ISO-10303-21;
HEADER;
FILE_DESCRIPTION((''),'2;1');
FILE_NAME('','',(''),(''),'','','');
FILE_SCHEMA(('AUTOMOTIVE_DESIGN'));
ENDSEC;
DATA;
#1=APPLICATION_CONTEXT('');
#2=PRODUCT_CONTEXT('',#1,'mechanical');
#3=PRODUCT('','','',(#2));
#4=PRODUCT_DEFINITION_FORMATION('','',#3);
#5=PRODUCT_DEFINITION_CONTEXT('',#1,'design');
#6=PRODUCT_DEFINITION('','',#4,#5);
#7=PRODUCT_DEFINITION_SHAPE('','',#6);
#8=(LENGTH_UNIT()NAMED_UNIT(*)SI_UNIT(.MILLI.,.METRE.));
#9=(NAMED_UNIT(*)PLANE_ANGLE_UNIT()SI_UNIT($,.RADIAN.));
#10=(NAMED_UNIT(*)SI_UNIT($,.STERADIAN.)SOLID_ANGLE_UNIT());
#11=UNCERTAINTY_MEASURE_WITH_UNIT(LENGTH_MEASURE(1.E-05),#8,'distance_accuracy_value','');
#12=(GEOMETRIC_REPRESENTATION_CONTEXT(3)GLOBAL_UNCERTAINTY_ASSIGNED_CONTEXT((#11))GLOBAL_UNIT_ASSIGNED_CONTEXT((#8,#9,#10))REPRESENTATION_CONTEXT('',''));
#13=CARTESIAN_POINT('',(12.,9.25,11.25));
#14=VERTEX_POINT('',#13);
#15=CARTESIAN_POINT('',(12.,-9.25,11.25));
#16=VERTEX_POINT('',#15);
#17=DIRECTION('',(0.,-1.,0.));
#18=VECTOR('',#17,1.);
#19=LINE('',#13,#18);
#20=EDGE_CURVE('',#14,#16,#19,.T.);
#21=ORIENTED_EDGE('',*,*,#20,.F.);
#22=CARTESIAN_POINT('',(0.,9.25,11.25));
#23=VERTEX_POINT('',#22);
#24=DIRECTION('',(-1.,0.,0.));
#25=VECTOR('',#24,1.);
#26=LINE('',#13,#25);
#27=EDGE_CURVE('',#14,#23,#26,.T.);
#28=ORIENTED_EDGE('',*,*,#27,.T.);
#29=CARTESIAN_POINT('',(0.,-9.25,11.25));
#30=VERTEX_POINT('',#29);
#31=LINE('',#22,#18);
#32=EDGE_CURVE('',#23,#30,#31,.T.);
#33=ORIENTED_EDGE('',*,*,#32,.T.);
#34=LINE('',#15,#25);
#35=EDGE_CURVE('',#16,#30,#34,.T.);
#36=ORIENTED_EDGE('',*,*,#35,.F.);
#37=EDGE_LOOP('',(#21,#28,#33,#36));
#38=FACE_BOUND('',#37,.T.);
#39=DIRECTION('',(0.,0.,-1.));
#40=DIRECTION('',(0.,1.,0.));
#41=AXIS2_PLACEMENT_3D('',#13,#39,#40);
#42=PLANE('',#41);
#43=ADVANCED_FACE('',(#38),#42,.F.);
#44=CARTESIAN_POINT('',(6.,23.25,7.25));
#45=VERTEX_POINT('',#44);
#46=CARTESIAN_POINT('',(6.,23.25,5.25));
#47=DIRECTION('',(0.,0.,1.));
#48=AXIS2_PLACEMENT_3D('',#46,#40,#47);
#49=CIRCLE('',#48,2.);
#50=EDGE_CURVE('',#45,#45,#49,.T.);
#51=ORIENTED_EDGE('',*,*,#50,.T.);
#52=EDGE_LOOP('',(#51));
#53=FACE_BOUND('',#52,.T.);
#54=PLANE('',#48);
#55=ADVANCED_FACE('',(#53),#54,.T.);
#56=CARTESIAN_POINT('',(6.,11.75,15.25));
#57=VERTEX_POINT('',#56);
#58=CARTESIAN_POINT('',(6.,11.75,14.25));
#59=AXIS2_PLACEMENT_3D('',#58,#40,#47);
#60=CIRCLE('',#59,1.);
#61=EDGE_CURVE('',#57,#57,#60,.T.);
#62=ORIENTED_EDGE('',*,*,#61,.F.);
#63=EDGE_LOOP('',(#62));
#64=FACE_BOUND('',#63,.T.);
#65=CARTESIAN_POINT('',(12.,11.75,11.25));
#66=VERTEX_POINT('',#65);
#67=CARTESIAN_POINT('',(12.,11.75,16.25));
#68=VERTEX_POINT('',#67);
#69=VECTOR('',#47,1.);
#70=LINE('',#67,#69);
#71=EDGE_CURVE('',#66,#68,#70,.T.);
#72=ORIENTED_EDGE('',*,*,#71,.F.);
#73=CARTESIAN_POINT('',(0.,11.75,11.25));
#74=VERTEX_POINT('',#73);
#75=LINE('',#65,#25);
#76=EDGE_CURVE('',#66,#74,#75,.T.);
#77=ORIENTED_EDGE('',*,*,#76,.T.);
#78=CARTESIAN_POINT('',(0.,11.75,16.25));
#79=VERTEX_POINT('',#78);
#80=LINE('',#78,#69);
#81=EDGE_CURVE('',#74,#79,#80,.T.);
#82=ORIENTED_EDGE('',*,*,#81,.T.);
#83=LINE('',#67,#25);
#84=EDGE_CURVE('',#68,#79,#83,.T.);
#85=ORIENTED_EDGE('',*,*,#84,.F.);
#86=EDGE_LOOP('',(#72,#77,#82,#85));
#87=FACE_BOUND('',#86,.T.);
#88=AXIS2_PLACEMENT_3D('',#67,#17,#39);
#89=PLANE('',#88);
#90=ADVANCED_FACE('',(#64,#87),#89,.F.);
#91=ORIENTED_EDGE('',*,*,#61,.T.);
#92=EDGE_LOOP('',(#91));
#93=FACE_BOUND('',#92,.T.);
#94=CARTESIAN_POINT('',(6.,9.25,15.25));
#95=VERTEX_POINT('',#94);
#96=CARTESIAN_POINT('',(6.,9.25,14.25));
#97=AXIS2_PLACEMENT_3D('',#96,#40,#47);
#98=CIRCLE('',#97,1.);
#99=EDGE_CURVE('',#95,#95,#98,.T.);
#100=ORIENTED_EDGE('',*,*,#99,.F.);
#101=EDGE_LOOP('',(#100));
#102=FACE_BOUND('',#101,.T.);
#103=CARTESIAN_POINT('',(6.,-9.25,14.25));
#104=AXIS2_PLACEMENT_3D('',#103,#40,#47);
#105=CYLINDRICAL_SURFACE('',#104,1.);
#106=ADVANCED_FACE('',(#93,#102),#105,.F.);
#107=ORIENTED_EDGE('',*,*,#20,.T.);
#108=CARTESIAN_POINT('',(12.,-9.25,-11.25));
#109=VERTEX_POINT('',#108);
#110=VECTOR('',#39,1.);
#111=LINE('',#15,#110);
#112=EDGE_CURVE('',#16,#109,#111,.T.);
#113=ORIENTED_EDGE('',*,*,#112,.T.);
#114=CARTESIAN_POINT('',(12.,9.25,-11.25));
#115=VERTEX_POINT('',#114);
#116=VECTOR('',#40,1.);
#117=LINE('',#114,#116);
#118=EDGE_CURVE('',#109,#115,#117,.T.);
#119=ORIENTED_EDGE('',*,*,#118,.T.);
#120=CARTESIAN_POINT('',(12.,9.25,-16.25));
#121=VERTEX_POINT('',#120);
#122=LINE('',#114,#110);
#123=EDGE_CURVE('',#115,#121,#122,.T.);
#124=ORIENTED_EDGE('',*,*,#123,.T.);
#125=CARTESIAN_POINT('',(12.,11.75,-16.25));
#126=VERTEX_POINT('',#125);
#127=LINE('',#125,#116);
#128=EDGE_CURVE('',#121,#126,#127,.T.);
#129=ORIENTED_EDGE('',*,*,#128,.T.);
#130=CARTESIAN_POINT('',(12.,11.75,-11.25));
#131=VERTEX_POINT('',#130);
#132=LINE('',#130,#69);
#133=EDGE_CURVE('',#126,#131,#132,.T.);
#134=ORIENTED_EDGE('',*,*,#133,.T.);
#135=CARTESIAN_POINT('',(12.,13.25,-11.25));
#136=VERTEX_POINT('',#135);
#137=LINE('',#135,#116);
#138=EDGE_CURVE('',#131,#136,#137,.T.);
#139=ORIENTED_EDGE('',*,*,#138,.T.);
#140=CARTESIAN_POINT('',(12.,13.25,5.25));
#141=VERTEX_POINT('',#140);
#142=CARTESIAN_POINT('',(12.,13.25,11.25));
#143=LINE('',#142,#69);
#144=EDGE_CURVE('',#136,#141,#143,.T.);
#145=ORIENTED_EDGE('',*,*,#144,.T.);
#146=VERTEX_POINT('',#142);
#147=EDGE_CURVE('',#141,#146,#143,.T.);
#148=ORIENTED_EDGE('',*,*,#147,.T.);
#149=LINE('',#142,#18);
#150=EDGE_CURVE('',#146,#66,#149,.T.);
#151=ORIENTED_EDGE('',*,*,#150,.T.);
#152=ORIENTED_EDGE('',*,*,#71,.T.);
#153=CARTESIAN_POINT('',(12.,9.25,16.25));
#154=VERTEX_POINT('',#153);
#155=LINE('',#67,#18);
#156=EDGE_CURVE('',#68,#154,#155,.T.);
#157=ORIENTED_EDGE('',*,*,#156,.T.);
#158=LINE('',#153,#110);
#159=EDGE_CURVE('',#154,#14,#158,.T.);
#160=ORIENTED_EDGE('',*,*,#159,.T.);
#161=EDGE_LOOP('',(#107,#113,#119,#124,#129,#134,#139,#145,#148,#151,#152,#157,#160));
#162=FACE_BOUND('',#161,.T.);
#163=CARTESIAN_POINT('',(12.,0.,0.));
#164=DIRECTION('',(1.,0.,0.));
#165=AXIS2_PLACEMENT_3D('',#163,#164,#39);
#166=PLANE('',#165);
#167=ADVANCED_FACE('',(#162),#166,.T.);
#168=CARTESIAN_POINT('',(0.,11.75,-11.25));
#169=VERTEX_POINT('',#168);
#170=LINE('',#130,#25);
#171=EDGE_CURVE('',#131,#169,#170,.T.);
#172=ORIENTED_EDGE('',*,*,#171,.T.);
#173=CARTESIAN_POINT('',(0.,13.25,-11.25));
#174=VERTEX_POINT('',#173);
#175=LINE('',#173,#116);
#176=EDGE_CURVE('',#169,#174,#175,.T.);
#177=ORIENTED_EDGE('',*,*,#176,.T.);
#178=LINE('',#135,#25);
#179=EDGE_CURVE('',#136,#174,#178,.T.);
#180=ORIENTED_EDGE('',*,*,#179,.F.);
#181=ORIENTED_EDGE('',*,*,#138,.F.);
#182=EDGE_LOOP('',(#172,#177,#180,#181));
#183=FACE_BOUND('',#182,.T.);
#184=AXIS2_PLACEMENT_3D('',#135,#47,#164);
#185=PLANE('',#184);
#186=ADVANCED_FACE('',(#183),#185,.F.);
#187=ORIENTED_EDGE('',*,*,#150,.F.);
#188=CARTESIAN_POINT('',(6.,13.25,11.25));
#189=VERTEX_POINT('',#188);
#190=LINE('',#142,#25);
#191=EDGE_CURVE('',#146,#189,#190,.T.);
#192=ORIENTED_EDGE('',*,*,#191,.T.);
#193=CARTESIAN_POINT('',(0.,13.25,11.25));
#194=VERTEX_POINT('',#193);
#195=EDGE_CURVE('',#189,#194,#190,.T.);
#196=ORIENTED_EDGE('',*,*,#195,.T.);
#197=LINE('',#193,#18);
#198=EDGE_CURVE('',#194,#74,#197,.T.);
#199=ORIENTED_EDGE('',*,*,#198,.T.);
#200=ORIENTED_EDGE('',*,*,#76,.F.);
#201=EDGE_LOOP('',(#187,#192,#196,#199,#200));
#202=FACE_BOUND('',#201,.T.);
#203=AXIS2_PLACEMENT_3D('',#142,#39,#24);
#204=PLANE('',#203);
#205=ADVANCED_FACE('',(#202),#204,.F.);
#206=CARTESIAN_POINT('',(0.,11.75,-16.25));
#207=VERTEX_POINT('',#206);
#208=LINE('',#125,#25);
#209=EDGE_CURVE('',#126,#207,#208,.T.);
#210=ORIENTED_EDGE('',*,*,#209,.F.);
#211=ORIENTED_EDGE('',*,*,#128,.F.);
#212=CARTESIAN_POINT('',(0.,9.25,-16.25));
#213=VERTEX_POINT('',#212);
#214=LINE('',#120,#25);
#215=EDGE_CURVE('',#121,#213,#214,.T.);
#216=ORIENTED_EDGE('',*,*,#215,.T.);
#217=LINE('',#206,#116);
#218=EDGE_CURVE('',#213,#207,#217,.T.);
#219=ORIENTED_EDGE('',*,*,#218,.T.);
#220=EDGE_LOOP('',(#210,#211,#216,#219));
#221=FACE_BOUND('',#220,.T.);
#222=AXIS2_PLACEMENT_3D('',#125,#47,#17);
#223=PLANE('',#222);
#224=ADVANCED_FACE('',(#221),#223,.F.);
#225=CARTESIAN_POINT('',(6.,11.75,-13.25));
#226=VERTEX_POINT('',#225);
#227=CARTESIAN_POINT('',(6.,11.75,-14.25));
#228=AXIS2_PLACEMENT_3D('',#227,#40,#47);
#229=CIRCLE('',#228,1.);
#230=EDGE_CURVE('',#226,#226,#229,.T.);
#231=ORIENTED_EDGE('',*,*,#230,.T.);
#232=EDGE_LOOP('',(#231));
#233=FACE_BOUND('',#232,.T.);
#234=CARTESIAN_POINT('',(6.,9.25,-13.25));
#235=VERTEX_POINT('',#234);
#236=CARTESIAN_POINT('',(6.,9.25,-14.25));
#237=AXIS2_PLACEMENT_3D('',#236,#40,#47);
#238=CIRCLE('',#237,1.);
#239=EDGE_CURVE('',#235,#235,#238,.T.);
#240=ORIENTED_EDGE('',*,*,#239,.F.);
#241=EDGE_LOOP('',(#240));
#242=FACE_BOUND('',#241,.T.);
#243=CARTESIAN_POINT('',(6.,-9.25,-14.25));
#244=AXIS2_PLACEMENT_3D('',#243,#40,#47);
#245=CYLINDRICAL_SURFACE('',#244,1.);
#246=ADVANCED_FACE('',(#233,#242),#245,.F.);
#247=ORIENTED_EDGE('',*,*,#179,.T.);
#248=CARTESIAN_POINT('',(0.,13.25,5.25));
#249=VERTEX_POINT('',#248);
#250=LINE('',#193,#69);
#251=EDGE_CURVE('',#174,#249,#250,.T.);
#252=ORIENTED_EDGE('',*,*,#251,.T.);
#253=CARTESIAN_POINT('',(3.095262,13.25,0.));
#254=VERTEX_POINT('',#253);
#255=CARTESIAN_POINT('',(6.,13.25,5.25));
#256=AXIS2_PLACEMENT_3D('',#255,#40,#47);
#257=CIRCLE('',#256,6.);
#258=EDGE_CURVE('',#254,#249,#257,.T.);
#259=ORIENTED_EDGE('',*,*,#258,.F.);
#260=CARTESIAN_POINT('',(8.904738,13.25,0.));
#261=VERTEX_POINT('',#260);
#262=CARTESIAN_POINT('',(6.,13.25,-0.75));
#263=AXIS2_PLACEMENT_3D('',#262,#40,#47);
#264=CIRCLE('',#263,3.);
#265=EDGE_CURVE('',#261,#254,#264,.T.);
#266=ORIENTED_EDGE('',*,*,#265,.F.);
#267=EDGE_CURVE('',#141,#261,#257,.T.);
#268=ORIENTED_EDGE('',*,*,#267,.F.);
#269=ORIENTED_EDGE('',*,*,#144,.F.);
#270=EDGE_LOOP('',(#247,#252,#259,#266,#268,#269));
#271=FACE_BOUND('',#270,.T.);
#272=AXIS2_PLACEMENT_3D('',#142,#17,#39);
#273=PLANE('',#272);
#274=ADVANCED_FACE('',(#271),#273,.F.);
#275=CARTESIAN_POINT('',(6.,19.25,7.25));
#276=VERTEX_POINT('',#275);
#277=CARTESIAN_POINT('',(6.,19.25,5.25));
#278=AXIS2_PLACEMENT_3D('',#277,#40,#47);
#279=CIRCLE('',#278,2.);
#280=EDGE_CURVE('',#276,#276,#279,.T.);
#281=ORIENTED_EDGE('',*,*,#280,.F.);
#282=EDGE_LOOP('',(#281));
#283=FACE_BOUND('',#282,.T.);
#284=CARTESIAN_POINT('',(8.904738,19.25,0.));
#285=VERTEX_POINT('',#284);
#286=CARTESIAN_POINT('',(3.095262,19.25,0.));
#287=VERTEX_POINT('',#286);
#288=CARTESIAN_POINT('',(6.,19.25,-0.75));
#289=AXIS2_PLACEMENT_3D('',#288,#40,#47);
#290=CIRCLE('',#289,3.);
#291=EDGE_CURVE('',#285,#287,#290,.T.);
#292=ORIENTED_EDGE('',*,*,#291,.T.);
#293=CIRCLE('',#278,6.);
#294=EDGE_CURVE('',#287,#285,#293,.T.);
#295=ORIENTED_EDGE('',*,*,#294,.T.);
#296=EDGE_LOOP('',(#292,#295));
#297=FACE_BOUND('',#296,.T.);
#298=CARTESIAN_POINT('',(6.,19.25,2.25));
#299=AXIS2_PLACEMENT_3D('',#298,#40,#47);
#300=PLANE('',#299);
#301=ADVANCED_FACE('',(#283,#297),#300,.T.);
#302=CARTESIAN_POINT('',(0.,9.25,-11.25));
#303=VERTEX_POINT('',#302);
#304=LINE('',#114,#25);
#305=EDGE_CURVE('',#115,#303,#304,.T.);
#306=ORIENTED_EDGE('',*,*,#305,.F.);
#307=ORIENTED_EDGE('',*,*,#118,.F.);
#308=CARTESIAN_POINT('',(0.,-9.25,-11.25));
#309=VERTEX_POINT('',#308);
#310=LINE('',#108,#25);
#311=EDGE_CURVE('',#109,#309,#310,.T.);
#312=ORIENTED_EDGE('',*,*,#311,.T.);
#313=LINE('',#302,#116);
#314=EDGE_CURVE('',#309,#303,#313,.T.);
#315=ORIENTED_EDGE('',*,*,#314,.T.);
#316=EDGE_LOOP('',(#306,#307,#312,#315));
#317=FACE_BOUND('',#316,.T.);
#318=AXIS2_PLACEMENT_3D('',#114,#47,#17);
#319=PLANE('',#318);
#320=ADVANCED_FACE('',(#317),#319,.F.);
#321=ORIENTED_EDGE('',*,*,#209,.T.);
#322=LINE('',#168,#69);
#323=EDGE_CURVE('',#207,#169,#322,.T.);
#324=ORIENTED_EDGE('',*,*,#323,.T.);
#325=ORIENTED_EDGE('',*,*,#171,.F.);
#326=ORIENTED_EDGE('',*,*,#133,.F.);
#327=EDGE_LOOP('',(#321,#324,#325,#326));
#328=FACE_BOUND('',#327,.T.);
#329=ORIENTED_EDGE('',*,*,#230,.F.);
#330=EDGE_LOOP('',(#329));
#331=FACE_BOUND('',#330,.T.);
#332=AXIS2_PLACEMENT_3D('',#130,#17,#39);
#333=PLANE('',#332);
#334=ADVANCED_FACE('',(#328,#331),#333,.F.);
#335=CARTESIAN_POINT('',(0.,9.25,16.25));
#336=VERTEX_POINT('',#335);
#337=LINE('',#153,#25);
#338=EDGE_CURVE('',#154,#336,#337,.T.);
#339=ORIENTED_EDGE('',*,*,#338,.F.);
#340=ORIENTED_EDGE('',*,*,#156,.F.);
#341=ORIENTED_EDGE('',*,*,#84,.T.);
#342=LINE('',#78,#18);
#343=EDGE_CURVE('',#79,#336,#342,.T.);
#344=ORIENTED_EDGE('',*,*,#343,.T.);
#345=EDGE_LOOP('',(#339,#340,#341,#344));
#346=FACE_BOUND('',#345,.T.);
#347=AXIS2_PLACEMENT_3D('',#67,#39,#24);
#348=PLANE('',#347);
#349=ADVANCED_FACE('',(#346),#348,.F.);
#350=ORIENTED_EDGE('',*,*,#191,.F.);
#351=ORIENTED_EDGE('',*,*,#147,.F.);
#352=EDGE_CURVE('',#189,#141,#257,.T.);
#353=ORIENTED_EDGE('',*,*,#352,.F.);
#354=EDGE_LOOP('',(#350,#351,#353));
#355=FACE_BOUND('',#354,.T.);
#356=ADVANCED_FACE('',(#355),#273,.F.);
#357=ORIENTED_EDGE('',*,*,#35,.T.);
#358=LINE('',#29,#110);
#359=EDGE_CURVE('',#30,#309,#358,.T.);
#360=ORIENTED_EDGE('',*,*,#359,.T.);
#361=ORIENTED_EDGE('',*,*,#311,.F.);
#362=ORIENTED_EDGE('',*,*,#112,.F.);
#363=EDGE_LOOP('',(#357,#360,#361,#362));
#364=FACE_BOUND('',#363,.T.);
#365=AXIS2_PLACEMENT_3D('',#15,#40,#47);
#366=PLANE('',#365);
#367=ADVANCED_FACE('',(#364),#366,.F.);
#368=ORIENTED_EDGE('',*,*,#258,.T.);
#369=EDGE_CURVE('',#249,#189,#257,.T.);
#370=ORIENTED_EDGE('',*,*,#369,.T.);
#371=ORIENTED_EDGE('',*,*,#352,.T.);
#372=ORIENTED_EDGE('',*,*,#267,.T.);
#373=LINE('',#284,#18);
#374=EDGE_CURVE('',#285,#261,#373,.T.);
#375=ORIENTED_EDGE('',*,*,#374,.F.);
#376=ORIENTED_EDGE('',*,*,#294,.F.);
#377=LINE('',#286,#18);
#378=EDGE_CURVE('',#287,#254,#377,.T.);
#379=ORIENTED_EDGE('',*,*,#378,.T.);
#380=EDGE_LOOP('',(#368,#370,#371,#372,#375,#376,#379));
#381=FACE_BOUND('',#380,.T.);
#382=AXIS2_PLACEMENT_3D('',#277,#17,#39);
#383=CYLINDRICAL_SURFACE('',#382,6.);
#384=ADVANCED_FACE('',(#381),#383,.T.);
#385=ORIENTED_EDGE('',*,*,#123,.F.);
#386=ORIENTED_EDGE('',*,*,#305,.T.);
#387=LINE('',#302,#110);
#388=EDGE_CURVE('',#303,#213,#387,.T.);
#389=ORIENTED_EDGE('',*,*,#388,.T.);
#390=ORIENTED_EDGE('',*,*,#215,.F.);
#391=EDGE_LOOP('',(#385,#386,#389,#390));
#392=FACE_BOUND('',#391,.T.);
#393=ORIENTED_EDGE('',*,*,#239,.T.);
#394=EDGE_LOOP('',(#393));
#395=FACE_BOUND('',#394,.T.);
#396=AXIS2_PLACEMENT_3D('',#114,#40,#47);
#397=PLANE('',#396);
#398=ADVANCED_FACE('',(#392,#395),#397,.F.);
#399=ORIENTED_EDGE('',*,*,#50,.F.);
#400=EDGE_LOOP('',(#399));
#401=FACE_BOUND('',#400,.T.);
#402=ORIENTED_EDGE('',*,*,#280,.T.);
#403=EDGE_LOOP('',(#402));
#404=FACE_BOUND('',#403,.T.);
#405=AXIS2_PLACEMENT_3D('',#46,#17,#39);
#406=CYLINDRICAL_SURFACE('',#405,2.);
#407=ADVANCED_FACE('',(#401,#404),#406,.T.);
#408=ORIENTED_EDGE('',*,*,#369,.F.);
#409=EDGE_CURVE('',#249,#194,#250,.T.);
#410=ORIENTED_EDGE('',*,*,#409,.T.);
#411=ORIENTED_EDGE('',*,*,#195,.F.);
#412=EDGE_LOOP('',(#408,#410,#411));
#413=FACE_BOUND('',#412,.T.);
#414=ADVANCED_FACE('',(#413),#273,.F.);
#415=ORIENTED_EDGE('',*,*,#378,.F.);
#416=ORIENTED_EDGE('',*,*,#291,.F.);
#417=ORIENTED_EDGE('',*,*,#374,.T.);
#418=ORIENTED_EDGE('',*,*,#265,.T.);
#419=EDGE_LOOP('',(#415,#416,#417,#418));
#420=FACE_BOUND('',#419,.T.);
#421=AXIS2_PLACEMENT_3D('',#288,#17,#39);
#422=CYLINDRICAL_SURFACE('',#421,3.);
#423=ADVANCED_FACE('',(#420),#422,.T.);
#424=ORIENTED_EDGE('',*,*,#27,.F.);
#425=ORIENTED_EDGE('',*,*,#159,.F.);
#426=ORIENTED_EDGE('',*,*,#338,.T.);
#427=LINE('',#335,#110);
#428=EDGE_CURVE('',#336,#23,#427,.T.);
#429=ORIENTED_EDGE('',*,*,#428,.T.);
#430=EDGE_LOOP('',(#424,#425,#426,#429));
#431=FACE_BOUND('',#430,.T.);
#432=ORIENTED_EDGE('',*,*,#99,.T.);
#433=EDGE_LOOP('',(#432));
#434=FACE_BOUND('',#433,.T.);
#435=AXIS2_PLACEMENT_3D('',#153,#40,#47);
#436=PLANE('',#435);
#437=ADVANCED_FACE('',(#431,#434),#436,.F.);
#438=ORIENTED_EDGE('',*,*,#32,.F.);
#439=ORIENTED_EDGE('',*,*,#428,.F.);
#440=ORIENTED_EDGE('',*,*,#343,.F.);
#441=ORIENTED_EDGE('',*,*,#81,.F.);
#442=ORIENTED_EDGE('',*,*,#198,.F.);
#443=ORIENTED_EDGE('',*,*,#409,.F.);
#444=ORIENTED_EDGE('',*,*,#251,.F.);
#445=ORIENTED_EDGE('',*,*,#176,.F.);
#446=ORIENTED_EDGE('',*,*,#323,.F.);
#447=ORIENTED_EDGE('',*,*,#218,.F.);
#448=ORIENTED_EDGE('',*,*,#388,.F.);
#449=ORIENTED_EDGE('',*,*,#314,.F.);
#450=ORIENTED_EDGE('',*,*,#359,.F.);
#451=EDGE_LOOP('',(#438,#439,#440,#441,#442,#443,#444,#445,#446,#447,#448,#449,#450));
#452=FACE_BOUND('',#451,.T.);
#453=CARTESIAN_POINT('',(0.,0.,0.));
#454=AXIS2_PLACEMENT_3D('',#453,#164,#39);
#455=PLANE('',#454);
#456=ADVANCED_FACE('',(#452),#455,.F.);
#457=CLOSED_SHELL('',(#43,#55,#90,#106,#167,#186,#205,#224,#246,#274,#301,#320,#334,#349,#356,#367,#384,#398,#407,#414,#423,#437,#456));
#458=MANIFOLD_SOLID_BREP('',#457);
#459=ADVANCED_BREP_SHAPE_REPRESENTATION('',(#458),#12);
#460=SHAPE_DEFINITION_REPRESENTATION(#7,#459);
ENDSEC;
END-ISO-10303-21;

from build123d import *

# Parameters (mm, degrees)
EXTRUDE_1_DEPTH     = 12
EXTRUDE_2_DEPTH     = 6
SKETCH_3_R          = 2
EXTRUDE_3_DEPTH     = 4
SKETCH_4_R          = 1
CUT_EXTRUDE_1_DEPTH = 30.138677046


with BuildPart() as part:
    # 草圖1 → 填料-伸長1 (new body)
    with BuildSketch(Plane(origin=(0, 0, 0), x_dir=(0, 0, -1), z_dir=(1, 0, 0))):
        Polygon((11.25, 11.75), (16.25, 11.75), (16.25, 9.25), (11.25, 9.25), (11.25, -9.25), (-11.25, -9.25), (-11.25, 9.25), (-16.25, 9.25), (-16.25, 11.75), (-11.25, 11.75), (-11.25, 13.25), (11.25, 13.25), align=None)
    extrude(amount=EXTRUDE_1_DEPTH)

    # 草圖2 → 填料-伸長2 (add)
    with BuildSketch(Plane(origin=(0, 13.25, 0), x_dir=(1, 0, 0), z_dir=(0, 1, 0))):
        with BuildLine():
            ThreePointArc((3.09526249, 0), (6, -11.25), (8.90473751, 0))
            ThreePointArc((8.90473751, 0), (6, 3.75), (3.09526249, 0))
        make_face()
    extrude(amount=EXTRUDE_2_DEPTH)

    # 草圖3 → 填料-伸長3 (add)
    with BuildSketch(Plane(origin=(0, 19.25, 0), x_dir=(1, 0, 0), z_dir=(0, 1, 0))):
        with Locations(Location((6, -5.25, 0), (0, 0, 270))):
            Circle(SKETCH_3_R)
    extrude(amount=EXTRUDE_3_DEPTH)

    # 草圖4 → 除料-伸長1 (cut, through all)
    with BuildSketch(Plane(origin=(0, 11.75, 0), x_dir=(1, 0, 0), z_dir=(0, 1, 0))):
        with Locations(Location((6, -14.25, 0), (0, 0, 270))):
            Circle(SKETCH_4_R)
        with Locations(Location((6, 14.25, 0), (0, 0, 270))):
            Circle(SKETCH_4_R)
    extrude(amount=-CUT_EXTRUDE_1_DEPTH, mode=Mode.SUBTRACT)


solid = part.part
